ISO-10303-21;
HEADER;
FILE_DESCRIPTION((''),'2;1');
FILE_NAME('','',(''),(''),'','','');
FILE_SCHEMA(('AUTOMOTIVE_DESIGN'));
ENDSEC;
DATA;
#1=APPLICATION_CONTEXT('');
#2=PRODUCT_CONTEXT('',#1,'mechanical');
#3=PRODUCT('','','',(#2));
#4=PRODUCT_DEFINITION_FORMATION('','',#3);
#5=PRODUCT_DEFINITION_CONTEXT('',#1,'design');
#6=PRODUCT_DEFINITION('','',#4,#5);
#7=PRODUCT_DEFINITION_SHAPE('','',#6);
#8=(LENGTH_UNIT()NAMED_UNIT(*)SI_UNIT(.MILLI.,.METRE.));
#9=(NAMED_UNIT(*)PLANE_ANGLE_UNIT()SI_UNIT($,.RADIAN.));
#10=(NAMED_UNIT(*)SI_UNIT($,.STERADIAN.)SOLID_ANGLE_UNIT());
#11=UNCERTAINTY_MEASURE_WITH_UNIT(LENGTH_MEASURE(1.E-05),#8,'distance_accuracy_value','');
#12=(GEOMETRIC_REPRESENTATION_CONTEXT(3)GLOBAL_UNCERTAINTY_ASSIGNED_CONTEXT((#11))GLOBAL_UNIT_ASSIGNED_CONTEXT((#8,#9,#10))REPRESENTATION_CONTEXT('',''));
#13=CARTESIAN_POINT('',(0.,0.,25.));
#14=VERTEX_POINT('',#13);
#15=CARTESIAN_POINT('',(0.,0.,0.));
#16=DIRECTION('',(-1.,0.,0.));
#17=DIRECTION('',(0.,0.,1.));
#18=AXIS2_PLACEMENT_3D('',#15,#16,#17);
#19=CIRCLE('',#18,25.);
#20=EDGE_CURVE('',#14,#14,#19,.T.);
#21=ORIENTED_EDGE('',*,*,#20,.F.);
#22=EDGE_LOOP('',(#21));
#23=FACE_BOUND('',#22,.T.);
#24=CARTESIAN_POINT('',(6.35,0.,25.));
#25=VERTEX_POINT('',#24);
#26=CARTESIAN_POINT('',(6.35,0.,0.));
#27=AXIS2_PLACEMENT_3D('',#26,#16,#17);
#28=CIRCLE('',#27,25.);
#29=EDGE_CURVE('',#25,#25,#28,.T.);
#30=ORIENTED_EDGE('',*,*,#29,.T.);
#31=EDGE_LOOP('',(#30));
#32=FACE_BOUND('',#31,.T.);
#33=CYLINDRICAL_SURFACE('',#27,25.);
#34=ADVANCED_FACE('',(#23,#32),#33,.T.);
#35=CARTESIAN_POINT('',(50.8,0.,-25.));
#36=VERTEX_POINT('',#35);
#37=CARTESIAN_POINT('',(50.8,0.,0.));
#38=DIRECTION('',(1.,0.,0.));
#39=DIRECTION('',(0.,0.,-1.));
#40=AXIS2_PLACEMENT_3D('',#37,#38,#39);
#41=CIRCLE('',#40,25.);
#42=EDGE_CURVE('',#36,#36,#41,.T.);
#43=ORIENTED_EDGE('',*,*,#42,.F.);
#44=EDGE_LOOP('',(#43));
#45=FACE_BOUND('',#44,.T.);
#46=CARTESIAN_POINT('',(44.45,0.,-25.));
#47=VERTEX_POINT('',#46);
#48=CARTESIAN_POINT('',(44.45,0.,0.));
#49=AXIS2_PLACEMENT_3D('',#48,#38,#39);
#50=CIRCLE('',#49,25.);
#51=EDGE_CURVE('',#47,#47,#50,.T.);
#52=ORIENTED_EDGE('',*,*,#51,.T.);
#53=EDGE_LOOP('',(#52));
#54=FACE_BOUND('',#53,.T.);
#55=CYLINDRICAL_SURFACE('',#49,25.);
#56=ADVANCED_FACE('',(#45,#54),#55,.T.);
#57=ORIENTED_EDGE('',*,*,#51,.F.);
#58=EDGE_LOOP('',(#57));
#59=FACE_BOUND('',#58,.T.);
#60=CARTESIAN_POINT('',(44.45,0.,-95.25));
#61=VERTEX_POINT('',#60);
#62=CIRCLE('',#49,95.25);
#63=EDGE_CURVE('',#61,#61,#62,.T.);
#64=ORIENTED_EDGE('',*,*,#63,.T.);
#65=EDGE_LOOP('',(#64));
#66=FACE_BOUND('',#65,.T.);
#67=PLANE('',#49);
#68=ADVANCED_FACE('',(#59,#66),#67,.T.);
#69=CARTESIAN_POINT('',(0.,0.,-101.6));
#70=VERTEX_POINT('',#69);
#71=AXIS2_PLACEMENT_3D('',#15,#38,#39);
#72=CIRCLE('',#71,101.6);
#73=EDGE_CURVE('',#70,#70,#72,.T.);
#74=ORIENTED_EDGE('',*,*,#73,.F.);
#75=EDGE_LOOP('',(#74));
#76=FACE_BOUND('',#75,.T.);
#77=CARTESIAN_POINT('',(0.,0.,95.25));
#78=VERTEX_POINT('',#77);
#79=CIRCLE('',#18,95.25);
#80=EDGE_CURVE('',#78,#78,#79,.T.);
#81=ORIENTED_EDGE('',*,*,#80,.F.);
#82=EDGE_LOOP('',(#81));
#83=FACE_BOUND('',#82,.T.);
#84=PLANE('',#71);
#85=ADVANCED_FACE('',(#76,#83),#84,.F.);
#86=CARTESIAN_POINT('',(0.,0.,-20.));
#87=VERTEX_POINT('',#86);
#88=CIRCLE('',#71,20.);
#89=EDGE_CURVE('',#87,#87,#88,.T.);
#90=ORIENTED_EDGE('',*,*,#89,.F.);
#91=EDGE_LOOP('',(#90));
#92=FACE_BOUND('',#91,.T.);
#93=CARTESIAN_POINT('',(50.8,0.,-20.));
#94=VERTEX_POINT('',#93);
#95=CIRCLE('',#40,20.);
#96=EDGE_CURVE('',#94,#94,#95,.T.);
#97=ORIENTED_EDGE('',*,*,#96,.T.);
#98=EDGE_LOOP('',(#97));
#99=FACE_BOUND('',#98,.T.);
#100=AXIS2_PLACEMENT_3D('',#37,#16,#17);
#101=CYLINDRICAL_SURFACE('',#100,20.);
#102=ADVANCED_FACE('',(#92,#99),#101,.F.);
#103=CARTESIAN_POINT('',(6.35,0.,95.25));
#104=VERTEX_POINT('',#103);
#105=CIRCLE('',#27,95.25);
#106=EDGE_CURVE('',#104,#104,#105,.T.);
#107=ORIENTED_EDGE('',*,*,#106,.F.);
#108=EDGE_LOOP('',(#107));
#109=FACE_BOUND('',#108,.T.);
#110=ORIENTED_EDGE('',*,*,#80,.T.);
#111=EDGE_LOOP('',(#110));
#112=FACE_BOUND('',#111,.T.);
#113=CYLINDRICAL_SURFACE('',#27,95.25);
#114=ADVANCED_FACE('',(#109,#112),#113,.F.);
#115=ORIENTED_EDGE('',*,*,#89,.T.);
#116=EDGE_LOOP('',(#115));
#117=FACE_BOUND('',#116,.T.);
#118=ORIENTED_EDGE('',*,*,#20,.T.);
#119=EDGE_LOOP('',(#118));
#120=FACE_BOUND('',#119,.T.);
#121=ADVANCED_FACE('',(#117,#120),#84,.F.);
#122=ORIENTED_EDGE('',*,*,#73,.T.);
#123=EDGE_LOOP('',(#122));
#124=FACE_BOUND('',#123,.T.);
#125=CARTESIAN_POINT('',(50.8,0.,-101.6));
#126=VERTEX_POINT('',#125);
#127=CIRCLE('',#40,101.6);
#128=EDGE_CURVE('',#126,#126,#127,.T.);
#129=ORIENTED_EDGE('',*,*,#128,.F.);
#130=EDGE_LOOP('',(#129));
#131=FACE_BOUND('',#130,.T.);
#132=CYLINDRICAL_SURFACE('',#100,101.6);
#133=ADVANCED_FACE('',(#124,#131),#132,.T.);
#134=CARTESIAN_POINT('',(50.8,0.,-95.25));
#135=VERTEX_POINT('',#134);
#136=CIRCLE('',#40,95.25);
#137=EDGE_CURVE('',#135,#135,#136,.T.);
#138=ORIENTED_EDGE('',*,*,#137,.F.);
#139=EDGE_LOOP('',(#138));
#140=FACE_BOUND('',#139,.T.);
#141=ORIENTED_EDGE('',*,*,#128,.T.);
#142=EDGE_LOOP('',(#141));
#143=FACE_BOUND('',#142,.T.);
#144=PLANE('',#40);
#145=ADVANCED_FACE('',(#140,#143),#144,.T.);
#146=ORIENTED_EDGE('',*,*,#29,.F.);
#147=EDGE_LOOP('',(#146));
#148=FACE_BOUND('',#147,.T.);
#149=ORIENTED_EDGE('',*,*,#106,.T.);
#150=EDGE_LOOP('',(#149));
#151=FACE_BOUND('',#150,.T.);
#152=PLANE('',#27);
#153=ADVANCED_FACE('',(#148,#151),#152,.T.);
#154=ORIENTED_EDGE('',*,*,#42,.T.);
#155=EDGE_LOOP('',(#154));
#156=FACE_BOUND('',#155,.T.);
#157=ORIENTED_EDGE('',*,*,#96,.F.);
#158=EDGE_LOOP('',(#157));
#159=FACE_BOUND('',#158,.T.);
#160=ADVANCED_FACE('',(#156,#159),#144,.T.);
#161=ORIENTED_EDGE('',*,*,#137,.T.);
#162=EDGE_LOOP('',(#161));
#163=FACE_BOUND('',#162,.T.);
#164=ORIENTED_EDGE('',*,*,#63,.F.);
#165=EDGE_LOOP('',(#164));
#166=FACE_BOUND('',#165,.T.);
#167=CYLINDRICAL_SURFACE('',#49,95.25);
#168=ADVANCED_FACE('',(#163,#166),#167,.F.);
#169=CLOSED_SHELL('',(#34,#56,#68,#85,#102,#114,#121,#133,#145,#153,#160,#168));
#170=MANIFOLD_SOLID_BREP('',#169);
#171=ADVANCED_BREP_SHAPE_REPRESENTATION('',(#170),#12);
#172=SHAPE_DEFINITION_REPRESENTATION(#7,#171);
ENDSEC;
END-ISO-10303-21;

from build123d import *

# Parameters (mm, degrees)
SKETCH1_R           = 101.6
SKETCH1_R_2         = 20
BOSS_EXTRUDE1_DEPTH = 50.8
SKETCH2_R           = 95.25
SKETCH2_R_2         = 25
CUT_EXTRUDE1_DEPTH  = 6.35
CUT_EXTRUDE2_START  = -6.35
SKETCH3_R           = 95.25
SKETCH3_R_2         = 25
CUT_EXTRUDE2_DEPTH  = 6.35


with BuildPart() as part:
    # Sketch1 → Boss-Extrude1 (new body)
    with BuildSketch(Plane(origin=(0, 0, 0), x_dir=(0, 0, -1), z_dir=(1, 0, 0))):
        Circle(SKETCH1_R)
        Circle(SKETCH1_R_2, mode=Mode.SUBTRACT)
    extrude(amount=BOSS_EXTRUDE1_DEPTH)

    # Sketch2 → Cut-Extrude1 (cut)
    with BuildSketch(Plane.ZY):
        Circle(SKETCH2_R)
        Circle(SKETCH2_R_2, mode=Mode.SUBTRACT)
    extrude(amount=-CUT_EXTRUDE1_DEPTH, mode=Mode.SUBTRACT)

    # Sketch3 → Cut-Extrude2 (cut)
    with BuildSketch(Plane(origin=(50.8, 0, 0), x_dir=(0, 0, -1), z_dir=(1, 0, 0)).offset(CUT_EXTRUDE2_START)):
        with Locations(Location((0, 0, 0), (0, 0, 180))):
            Circle(SKETCH3_R)
        with Locations(Location((0, 0, 0), (0, 0, 180))):
            Circle(SKETCH3_R_2, mode=Mode.SUBTRACT)
    extrude(amount=CUT_EXTRUDE2_DEPTH, mode=Mode.SUBTRACT)


solid = part.part
